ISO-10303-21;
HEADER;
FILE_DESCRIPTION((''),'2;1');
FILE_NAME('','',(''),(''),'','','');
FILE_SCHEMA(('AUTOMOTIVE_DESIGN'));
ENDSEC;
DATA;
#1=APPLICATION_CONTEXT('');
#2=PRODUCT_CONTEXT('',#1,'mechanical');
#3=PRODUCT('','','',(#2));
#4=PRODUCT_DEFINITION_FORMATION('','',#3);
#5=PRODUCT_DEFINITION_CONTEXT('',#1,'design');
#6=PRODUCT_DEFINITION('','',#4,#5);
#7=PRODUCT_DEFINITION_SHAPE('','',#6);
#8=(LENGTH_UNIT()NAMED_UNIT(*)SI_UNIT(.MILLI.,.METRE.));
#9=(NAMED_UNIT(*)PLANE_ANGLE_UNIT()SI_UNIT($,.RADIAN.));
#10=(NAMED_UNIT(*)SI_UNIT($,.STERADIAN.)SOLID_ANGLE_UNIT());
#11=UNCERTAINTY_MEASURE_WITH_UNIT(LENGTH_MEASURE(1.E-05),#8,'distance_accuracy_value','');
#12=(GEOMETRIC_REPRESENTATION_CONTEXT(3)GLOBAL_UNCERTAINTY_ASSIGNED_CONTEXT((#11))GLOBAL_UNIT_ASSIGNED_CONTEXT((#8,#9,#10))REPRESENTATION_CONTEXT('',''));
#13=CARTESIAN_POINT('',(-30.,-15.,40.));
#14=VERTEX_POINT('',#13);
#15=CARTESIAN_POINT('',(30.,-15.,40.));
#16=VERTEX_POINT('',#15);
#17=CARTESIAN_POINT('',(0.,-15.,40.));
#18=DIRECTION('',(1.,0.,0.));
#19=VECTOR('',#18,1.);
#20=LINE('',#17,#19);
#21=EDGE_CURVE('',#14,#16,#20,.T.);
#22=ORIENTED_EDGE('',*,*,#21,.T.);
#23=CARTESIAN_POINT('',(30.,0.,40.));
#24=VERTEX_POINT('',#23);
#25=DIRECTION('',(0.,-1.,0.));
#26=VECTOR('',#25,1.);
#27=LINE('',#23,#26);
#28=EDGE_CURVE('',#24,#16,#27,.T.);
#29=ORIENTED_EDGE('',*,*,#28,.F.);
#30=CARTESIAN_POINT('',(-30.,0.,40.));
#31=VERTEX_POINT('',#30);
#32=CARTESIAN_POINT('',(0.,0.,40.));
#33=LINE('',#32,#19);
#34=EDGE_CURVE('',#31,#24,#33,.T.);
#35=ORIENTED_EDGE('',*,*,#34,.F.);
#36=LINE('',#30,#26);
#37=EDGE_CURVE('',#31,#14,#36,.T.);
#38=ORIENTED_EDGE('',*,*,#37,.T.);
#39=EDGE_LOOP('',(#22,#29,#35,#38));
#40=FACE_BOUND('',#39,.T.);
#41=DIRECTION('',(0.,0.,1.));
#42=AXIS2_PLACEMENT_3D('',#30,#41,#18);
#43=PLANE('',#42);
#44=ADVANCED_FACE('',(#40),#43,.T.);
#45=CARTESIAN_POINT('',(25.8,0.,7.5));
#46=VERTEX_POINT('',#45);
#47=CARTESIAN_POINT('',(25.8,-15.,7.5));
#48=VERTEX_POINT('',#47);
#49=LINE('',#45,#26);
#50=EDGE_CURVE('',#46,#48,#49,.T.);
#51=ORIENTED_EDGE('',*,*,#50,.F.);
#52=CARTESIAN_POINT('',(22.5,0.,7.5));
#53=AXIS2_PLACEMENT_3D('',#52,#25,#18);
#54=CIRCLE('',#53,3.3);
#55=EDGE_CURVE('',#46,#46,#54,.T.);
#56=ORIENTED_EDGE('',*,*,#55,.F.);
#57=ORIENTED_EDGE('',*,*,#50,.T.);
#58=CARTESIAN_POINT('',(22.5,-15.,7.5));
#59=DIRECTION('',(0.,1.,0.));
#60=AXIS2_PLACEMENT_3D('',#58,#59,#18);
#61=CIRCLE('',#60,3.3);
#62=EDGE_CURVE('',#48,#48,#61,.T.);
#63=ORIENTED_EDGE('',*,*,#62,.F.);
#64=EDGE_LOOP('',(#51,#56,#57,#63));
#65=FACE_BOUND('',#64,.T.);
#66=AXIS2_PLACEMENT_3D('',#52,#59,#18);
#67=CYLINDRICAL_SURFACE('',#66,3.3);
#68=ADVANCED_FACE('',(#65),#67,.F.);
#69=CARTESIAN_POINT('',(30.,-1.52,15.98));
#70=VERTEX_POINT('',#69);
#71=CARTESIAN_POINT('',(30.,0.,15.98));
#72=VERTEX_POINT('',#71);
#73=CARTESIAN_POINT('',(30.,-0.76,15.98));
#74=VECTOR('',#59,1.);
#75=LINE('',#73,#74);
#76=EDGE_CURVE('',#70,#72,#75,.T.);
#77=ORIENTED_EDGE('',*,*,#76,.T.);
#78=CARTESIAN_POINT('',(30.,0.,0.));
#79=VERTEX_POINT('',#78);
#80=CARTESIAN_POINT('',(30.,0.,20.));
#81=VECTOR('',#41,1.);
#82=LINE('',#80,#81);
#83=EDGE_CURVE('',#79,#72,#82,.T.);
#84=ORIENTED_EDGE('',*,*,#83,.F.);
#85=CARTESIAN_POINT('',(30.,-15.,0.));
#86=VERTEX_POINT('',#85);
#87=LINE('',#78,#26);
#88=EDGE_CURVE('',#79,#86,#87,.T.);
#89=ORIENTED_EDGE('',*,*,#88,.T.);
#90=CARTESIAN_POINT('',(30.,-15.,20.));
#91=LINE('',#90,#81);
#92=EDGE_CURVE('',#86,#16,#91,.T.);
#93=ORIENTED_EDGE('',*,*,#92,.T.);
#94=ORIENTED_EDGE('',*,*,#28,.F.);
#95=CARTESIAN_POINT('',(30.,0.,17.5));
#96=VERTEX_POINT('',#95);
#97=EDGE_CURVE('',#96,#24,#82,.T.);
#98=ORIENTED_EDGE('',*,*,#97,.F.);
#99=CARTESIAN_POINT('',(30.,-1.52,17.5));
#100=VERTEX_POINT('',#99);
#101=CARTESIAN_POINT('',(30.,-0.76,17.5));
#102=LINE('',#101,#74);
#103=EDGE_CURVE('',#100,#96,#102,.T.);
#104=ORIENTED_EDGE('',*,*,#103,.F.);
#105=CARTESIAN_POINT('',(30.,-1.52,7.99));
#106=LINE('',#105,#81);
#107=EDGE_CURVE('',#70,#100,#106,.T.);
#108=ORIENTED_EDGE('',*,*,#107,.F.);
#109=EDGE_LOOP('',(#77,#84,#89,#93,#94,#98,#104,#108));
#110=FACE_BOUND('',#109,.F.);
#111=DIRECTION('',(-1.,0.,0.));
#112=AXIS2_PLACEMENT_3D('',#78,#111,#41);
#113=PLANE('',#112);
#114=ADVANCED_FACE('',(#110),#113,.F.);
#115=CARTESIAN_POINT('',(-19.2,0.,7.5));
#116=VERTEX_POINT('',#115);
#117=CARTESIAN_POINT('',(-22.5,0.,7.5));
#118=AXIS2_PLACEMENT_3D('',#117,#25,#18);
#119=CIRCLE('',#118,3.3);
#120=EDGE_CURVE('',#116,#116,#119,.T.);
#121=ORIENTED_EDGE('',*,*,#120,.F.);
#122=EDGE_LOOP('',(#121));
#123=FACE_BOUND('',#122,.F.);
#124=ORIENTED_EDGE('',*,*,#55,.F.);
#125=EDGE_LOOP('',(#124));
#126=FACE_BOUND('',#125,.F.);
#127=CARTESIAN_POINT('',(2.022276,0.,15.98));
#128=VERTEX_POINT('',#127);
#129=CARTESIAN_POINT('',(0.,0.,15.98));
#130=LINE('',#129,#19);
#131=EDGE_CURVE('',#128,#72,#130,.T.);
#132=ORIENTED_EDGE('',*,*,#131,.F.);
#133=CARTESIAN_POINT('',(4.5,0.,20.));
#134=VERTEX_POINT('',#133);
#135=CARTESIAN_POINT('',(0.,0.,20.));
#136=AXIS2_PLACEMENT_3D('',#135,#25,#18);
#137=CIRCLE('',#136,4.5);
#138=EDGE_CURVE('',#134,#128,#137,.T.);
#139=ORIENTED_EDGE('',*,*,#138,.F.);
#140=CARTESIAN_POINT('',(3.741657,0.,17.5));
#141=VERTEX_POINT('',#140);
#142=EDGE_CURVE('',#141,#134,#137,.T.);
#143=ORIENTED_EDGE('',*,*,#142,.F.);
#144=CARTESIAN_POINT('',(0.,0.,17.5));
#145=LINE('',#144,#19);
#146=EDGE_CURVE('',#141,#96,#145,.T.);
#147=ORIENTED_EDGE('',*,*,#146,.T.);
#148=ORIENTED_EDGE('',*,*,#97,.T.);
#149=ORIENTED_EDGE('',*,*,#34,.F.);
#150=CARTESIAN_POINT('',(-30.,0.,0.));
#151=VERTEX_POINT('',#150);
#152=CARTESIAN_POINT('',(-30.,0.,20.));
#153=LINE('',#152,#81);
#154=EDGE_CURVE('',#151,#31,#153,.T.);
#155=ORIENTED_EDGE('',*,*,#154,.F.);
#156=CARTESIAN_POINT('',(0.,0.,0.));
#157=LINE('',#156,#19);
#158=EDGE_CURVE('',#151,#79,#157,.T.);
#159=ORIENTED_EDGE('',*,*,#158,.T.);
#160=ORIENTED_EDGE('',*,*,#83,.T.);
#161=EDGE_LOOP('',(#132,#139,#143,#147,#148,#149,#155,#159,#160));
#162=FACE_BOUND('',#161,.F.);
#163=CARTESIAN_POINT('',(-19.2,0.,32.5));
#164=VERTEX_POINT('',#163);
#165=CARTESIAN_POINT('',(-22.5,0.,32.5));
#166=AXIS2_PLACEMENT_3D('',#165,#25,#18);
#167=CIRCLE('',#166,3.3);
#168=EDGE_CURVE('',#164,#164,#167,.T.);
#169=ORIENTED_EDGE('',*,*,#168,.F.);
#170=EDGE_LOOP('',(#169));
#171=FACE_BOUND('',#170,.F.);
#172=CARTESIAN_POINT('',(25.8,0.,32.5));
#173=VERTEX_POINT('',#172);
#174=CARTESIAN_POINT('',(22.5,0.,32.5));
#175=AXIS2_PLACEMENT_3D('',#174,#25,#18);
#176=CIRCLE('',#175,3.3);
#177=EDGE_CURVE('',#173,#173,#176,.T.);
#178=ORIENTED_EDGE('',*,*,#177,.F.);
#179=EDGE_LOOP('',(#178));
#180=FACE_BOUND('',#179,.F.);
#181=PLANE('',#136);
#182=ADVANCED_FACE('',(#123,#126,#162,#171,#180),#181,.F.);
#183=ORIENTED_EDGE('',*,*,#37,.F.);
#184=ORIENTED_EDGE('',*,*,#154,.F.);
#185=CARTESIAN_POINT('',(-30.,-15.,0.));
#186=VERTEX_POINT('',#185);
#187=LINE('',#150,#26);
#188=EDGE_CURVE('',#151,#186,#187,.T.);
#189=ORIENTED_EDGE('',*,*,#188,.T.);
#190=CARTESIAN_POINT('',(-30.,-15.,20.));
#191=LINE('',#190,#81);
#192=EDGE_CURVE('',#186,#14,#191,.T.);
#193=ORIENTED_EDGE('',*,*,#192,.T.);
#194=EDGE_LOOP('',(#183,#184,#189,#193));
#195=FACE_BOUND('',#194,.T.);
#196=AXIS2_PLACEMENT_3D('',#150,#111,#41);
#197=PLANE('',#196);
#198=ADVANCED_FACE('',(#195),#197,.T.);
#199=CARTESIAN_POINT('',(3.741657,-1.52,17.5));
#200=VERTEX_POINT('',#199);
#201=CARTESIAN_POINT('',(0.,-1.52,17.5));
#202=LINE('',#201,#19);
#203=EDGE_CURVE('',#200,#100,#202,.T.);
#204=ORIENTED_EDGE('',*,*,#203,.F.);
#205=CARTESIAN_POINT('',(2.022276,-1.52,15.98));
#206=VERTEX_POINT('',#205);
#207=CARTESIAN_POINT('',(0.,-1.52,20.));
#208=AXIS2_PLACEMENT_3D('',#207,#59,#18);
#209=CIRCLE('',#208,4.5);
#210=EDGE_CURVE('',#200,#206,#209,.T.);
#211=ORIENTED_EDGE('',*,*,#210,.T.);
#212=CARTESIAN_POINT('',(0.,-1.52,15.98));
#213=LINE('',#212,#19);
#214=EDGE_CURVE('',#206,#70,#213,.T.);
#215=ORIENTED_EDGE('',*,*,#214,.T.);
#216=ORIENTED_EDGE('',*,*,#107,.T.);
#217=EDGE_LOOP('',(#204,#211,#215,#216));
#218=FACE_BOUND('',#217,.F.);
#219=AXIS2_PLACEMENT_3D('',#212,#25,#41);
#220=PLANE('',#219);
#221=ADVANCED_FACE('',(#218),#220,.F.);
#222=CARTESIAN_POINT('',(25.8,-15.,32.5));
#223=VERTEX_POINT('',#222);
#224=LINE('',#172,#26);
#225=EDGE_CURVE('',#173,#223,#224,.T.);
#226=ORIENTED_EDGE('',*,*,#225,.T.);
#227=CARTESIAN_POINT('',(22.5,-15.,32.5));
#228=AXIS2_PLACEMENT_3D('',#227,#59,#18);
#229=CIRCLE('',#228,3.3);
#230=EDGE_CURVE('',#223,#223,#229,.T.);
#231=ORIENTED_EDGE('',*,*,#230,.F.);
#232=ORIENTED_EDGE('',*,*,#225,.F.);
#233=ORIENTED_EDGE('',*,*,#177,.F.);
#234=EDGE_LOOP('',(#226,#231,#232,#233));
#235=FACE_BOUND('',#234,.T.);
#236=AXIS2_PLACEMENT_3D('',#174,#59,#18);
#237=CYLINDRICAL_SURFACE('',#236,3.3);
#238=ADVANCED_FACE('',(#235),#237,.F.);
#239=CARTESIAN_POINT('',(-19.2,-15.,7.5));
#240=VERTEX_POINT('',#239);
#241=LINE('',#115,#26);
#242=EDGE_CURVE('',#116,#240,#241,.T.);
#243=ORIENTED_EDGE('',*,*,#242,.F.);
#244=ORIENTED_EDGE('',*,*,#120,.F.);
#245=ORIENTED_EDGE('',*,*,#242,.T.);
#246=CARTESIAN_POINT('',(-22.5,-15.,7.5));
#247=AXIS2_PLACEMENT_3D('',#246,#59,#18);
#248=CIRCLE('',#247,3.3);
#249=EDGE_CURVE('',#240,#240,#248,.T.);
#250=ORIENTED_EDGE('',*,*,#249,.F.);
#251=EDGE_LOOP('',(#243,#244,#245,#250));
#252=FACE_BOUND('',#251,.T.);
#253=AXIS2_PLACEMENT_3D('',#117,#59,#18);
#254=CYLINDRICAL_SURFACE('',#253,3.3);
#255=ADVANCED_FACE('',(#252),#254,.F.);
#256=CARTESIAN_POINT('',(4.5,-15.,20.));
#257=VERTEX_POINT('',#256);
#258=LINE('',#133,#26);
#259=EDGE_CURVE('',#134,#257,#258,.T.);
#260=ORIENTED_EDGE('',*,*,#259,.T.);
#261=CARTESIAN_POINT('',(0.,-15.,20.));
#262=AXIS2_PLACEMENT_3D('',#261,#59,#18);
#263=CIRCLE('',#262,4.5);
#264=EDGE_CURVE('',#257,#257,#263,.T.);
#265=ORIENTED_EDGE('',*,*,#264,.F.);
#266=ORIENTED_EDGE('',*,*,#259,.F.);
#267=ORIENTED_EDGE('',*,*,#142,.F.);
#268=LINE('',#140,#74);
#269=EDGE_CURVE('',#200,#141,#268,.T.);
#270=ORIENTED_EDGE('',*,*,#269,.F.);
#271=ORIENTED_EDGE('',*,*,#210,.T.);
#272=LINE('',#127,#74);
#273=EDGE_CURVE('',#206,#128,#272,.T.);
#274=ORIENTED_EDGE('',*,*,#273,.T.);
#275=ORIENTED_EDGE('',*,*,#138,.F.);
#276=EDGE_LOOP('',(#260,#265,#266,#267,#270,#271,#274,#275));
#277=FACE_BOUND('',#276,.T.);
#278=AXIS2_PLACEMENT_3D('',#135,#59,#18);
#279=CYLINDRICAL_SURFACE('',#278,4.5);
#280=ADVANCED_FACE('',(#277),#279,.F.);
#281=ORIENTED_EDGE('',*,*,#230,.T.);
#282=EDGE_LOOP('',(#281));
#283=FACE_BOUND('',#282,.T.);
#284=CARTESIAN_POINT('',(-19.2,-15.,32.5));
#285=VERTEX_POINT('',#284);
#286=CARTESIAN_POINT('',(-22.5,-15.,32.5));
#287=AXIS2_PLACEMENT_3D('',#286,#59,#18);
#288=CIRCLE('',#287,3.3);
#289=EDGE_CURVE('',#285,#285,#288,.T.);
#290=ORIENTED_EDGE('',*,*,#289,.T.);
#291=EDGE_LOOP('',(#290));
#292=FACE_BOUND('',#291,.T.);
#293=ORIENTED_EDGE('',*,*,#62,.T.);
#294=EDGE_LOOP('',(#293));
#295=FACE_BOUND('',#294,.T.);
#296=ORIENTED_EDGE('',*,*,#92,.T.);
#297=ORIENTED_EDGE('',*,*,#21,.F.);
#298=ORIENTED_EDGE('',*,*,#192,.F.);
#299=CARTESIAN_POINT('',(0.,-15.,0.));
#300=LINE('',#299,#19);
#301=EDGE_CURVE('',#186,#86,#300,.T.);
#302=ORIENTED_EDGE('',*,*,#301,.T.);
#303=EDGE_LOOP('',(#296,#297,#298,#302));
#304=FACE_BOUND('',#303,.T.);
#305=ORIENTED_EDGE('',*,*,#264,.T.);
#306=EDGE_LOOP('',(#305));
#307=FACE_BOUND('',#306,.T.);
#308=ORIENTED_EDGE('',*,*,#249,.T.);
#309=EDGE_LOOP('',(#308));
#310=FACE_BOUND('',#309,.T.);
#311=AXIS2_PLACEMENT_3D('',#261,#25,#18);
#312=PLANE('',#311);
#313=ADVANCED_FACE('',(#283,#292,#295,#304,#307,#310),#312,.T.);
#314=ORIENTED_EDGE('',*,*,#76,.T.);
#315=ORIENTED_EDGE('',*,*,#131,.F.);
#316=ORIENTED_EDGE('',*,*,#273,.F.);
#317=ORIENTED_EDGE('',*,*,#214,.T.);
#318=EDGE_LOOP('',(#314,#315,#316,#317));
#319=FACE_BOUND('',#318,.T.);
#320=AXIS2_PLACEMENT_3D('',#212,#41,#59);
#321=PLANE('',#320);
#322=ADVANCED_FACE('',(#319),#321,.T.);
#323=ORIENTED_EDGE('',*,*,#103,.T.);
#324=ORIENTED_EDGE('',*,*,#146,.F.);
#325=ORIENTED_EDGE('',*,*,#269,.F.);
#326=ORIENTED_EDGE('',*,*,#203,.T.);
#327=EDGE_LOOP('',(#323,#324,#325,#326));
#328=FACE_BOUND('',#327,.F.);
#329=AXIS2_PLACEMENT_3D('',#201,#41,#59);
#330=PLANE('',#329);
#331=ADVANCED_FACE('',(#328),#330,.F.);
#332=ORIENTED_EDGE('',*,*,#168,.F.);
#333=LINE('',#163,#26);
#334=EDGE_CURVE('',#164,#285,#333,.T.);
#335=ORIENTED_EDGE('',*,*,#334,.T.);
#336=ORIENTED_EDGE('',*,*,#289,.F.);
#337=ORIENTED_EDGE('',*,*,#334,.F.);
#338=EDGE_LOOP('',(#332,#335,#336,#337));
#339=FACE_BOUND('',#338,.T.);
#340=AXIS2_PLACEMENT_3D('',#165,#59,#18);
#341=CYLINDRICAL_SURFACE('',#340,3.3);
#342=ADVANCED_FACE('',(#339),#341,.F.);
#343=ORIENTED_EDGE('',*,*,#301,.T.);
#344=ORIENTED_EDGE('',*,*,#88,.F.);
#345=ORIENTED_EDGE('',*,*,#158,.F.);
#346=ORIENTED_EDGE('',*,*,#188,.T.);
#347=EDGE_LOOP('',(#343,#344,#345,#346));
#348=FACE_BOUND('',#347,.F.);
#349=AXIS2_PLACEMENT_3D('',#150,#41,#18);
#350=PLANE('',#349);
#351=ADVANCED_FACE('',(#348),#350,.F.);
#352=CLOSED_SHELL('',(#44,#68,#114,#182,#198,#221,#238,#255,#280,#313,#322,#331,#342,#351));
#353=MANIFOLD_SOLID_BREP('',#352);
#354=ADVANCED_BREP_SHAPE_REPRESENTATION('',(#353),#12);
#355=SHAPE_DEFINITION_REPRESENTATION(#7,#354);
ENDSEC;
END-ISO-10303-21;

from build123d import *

# Parameters (mm, degrees)
SKETCH002_W   = 60
SKETCH002_H   = 40
PAD001_DEPTH  = 15
SKETCH003_R   = 4.5
HOLE001_DEPTH = 15.001
SKETCH004_W   = 1.52
SKETCH004_H   = 1.52
POCKET_DEPTH  = 30.001
SKETCH006_R   = 3.3
HOLE003_DEPTH = 15.001


with BuildPart() as part:
    # Sketch002 → Pad001 (new body)
    with BuildSketch(Plane.XZ):
        with Locations((0, 20)):
            Rectangle(SKETCH002_W, SKETCH002_H)
    extrude(amount=PAD001_DEPTH)

    # Sketch003 → Hole001 (cut, through all)
    with BuildSketch(Plane.XZ):
        with Locations((0, 20)):
            Circle(SKETCH003_R)
    extrude(amount=HOLE001_DEPTH, mode=Mode.SUBTRACT)

    # Sketch004 → Pocket (cut, through all)
    with BuildSketch(Plane.YZ):
        with Locations((-0.76, 16.74)):
            Rectangle(SKETCH004_W, SKETCH004_H)
    extrude(amount=POCKET_DEPTH, mode=Mode.SUBTRACT)

    # Sketch006 → Hole003 (cut, through all)
    with BuildSketch(Plane.XZ):
        with Locations((-22.5, 32.5)):
            Circle(SKETCH006_R)
        with Locations((22.5, 32.5)):
            Circle(SKETCH006_R)
        with Locations((22.5, 7.5)):
            Circle(SKETCH006_R)
        with Locations((-22.5, 7.5)):
            Circle(SKETCH006_R)
    extrude(amount=HOLE003_DEPTH, mode=Mode.SUBTRACT)


solid = part.part
